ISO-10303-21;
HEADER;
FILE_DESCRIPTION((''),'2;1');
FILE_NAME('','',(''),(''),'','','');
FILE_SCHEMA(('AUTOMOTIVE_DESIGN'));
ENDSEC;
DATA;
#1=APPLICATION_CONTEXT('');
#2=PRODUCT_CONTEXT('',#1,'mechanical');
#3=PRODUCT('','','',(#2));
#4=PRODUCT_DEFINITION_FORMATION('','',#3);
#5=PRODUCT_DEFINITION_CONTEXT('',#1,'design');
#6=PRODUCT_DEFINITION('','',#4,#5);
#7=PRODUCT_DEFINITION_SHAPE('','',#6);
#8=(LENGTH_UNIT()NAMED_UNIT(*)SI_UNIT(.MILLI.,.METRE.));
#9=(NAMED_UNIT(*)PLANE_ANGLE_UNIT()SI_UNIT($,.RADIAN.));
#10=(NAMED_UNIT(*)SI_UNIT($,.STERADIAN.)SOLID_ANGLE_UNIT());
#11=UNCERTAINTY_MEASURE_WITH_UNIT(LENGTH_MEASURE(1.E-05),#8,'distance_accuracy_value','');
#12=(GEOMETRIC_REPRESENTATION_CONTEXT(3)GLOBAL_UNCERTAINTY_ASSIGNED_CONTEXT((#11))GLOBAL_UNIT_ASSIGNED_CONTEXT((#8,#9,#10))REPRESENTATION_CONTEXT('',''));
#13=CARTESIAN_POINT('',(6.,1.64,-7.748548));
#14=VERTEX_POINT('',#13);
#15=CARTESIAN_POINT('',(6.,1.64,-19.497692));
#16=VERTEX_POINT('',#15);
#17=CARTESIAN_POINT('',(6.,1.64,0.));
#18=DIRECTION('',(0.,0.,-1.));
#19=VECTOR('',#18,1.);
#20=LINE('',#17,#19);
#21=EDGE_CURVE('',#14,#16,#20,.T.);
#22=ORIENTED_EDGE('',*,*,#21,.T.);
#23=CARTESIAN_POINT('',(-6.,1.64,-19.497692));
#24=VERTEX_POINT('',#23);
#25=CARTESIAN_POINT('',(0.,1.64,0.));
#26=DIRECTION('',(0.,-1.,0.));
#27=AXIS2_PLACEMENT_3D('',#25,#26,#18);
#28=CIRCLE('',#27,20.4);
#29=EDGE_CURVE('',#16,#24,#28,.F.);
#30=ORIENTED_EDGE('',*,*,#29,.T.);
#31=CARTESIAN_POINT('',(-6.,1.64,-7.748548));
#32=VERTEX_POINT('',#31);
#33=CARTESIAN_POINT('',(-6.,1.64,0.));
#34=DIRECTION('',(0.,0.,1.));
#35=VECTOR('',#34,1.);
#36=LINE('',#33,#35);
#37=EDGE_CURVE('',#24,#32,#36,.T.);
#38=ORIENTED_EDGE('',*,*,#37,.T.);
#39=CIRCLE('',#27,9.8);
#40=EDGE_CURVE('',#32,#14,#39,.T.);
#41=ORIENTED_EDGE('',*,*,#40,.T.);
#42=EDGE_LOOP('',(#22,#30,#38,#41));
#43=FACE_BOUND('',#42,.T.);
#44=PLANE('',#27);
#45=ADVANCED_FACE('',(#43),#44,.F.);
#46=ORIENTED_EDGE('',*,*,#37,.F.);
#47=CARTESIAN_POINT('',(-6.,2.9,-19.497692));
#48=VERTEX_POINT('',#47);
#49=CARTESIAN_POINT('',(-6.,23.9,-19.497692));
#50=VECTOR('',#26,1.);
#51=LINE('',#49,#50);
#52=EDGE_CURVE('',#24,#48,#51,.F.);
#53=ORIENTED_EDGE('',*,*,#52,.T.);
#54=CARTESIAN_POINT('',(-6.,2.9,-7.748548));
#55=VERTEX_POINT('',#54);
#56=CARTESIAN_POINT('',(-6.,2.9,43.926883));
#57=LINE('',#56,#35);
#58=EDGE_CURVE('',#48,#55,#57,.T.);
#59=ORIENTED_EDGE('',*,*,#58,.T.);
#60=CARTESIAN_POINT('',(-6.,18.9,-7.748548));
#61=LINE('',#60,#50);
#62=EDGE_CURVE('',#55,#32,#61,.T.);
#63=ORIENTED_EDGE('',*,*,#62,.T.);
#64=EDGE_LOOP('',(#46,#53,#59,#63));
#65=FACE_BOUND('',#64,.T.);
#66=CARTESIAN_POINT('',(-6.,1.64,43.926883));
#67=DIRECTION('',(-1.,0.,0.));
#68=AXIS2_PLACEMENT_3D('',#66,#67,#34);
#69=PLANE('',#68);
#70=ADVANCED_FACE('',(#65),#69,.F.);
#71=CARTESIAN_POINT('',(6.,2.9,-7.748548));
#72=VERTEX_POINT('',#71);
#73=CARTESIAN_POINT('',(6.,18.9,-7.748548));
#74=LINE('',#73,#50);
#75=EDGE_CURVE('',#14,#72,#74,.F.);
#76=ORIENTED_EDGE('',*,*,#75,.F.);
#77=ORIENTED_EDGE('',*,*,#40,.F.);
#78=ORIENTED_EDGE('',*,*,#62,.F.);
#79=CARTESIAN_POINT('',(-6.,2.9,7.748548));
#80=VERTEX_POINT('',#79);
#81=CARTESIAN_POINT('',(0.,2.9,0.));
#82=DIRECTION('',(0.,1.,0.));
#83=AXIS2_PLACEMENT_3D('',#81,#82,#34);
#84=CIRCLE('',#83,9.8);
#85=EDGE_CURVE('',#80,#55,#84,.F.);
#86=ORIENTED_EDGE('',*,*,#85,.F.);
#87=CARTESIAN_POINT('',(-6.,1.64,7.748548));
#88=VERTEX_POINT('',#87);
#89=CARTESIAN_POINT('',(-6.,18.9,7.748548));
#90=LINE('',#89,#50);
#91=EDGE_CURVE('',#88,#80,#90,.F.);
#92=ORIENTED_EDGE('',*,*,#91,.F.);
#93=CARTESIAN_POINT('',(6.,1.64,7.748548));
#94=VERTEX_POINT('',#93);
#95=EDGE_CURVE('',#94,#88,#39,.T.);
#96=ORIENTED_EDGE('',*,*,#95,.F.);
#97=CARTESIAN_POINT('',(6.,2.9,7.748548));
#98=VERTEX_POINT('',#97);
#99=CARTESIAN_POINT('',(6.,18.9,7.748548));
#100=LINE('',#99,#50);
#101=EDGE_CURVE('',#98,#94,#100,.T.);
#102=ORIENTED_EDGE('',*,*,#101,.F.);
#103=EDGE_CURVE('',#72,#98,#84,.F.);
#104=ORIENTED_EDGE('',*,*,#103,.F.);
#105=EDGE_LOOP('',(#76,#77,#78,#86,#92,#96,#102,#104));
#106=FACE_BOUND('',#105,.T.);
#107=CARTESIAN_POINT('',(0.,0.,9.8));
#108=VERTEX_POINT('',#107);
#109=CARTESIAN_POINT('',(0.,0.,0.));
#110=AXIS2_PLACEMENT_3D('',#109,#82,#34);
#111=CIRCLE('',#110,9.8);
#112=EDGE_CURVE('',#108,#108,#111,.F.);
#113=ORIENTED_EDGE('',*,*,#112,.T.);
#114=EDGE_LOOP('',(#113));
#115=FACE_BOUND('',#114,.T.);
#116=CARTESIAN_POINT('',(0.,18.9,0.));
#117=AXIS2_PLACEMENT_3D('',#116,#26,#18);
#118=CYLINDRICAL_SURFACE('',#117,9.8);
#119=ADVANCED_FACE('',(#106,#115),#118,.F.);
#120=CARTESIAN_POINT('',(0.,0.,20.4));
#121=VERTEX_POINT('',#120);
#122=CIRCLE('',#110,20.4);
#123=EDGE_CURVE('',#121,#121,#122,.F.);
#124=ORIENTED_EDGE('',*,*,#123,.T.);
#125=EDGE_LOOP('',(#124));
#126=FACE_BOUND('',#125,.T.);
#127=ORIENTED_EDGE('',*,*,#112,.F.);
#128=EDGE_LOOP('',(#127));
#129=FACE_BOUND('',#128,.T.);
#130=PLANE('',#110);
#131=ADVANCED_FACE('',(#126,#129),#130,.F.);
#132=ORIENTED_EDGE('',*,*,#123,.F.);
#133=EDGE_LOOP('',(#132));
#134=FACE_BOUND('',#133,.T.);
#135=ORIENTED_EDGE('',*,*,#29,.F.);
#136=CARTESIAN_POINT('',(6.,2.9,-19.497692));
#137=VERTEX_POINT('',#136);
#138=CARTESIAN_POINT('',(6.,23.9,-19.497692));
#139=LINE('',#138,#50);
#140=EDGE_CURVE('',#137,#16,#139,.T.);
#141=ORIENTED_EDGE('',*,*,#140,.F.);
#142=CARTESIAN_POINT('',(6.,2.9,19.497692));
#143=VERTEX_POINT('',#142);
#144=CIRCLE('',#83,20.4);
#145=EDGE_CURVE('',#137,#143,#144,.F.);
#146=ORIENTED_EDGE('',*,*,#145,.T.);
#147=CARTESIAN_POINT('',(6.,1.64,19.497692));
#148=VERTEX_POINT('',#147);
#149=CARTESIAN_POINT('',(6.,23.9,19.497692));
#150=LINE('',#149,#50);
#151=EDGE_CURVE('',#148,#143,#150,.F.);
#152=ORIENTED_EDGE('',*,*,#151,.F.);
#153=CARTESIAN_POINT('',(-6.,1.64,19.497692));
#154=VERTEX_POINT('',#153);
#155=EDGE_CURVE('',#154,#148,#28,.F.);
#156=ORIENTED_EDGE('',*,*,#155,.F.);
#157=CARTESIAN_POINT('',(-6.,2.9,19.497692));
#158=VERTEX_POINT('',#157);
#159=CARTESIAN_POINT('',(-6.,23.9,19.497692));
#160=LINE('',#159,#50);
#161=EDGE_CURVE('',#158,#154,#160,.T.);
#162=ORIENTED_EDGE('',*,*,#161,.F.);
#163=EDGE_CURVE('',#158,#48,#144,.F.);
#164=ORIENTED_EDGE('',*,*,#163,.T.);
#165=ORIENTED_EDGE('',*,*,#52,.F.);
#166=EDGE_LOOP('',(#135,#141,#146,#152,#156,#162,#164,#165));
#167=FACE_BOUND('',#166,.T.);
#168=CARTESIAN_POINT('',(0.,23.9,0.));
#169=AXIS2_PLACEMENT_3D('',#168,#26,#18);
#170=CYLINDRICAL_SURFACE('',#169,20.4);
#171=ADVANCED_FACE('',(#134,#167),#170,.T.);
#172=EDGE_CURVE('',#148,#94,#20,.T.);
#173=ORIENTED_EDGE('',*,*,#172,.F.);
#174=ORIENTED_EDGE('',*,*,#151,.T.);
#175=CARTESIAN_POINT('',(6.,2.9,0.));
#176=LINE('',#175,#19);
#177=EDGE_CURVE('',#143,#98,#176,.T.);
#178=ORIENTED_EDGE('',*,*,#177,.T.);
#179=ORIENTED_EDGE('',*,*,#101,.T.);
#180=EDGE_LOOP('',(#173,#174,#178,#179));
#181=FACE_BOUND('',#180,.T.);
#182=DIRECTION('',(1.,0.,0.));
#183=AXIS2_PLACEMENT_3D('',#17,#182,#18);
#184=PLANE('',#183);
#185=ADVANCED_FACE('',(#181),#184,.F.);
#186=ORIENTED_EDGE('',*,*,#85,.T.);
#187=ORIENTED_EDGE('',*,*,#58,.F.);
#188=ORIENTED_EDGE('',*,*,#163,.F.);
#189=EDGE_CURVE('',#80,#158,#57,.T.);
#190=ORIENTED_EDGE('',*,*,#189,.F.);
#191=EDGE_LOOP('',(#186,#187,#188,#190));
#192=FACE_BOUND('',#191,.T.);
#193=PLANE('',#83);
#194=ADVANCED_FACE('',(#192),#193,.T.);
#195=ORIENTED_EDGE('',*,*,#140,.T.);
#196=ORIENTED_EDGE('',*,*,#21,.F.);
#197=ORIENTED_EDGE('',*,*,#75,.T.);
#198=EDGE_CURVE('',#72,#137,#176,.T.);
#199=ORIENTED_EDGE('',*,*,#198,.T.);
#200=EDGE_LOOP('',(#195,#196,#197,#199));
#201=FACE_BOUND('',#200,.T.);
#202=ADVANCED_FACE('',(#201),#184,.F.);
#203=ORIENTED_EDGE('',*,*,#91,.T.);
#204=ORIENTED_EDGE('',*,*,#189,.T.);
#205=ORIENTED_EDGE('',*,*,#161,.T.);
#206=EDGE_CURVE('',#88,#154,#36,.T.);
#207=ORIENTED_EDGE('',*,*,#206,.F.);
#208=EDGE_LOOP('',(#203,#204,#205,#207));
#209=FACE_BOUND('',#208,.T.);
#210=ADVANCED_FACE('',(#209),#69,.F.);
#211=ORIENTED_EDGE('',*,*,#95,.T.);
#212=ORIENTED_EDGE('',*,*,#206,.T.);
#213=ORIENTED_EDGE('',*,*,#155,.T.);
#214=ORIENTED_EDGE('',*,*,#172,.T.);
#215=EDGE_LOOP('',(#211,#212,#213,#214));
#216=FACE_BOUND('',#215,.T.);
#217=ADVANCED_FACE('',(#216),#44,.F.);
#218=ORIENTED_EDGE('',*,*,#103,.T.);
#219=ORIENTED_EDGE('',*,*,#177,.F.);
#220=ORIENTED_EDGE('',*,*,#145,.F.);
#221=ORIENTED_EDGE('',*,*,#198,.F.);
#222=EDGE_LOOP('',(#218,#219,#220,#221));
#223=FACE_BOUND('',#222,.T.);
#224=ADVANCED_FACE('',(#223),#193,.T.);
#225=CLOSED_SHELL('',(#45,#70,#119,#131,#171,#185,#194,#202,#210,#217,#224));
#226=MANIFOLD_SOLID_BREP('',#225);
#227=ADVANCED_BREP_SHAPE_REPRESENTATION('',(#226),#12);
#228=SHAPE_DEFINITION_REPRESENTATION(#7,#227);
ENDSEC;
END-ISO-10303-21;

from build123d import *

# Parameters (mm, degrees)
IZIM1_R                     = 40.8
Y_KSEKLIK_EKSTR_ZYON1_DEPTH = 2.9
KES_EKSTR_ZYON1_DEPTH       = 16
KES_EKSTR_ZYON1_DEPTH_BACK  = 7.9
IZIM2_R                     = 9.8
KES_EKSTR_ZYON2_DEPTH       = 1.26
KES_EKSTR_ZYON3_DEPTH       = 21
KES_EKSTR_ZYON3_DEPTH_BACK  = 18.26
IZIM4_R                     = 40.8
IZIM4_R_2                   = 20.4


with BuildPart() as part:
    # Çizim1 → Yükseklik-Ekstrüzyon1 (new body)
    with BuildSketch(Plane(origin=(0, 0, 0), x_dir=(1, 0, 0), z_dir=(0, 1, 0))):
        with Locations(Location((0, 0, 0), (0, 0, 270))):
            Circle(IZIM1_R)
    extrude(amount=Y_KSEKLIK_EKSTR_ZYON1_DEPTH)

    # Çizim2 → Kes-Ekstrüzyon1 (cut, two sides: drawn at the far end of the back side and taken through both)
    with BuildSketch(Plane(origin=(0, 2.9, 0), x_dir=(1, 0, 0), z_dir=(0, 1, 0)).offset(-KES_EKSTR_ZYON1_DEPTH_BACK)):
        with Locations(Location((0, 0, 0), (0, 0, 270))):
            Circle(IZIM2_R)
    extrude(amount=KES_EKSTR_ZYON1_DEPTH + KES_EKSTR_ZYON1_DEPTH_BACK, mode=Mode.SUBTRACT)

    # Çizim3 → Kes-Ekstrüzyon2 (cut)
    with BuildSketch(Plane(origin=(0, 2.9, 0), x_dir=(1, 0, 0), z_dir=(0, 1, 0))):
        Polygon((6, 0), (6, 43.137439927), (-6, 43.137439927), (-6, 0), (-6, -43.926883272), (6, -43.926883272), align=None)
    extrude(amount=-KES_EKSTR_ZYON2_DEPTH, mode=Mode.SUBTRACT)

    # Çizim4 → Kes-Ekstrüzyon3 (cut, two sides: drawn at the far end of the back side and taken through both)
    with BuildSketch(Plane(origin=(0, 2.9, 0), x_dir=(1, 0, 0), z_dir=(0, 1, 0)).offset(-KES_EKSTR_ZYON3_DEPTH_BACK)):
        Circle(IZIM4_R)
        with Locations(Location((0, 0, 0), (0, 0, 72.895364823))):
            Circle(IZIM4_R_2, mode=Mode.SUBTRACT)
    extrude(amount=KES_EKSTR_ZYON3_DEPTH + KES_EKSTR_ZYON3_DEPTH_BACK, mode=Mode.SUBTRACT)


solid = part.part
